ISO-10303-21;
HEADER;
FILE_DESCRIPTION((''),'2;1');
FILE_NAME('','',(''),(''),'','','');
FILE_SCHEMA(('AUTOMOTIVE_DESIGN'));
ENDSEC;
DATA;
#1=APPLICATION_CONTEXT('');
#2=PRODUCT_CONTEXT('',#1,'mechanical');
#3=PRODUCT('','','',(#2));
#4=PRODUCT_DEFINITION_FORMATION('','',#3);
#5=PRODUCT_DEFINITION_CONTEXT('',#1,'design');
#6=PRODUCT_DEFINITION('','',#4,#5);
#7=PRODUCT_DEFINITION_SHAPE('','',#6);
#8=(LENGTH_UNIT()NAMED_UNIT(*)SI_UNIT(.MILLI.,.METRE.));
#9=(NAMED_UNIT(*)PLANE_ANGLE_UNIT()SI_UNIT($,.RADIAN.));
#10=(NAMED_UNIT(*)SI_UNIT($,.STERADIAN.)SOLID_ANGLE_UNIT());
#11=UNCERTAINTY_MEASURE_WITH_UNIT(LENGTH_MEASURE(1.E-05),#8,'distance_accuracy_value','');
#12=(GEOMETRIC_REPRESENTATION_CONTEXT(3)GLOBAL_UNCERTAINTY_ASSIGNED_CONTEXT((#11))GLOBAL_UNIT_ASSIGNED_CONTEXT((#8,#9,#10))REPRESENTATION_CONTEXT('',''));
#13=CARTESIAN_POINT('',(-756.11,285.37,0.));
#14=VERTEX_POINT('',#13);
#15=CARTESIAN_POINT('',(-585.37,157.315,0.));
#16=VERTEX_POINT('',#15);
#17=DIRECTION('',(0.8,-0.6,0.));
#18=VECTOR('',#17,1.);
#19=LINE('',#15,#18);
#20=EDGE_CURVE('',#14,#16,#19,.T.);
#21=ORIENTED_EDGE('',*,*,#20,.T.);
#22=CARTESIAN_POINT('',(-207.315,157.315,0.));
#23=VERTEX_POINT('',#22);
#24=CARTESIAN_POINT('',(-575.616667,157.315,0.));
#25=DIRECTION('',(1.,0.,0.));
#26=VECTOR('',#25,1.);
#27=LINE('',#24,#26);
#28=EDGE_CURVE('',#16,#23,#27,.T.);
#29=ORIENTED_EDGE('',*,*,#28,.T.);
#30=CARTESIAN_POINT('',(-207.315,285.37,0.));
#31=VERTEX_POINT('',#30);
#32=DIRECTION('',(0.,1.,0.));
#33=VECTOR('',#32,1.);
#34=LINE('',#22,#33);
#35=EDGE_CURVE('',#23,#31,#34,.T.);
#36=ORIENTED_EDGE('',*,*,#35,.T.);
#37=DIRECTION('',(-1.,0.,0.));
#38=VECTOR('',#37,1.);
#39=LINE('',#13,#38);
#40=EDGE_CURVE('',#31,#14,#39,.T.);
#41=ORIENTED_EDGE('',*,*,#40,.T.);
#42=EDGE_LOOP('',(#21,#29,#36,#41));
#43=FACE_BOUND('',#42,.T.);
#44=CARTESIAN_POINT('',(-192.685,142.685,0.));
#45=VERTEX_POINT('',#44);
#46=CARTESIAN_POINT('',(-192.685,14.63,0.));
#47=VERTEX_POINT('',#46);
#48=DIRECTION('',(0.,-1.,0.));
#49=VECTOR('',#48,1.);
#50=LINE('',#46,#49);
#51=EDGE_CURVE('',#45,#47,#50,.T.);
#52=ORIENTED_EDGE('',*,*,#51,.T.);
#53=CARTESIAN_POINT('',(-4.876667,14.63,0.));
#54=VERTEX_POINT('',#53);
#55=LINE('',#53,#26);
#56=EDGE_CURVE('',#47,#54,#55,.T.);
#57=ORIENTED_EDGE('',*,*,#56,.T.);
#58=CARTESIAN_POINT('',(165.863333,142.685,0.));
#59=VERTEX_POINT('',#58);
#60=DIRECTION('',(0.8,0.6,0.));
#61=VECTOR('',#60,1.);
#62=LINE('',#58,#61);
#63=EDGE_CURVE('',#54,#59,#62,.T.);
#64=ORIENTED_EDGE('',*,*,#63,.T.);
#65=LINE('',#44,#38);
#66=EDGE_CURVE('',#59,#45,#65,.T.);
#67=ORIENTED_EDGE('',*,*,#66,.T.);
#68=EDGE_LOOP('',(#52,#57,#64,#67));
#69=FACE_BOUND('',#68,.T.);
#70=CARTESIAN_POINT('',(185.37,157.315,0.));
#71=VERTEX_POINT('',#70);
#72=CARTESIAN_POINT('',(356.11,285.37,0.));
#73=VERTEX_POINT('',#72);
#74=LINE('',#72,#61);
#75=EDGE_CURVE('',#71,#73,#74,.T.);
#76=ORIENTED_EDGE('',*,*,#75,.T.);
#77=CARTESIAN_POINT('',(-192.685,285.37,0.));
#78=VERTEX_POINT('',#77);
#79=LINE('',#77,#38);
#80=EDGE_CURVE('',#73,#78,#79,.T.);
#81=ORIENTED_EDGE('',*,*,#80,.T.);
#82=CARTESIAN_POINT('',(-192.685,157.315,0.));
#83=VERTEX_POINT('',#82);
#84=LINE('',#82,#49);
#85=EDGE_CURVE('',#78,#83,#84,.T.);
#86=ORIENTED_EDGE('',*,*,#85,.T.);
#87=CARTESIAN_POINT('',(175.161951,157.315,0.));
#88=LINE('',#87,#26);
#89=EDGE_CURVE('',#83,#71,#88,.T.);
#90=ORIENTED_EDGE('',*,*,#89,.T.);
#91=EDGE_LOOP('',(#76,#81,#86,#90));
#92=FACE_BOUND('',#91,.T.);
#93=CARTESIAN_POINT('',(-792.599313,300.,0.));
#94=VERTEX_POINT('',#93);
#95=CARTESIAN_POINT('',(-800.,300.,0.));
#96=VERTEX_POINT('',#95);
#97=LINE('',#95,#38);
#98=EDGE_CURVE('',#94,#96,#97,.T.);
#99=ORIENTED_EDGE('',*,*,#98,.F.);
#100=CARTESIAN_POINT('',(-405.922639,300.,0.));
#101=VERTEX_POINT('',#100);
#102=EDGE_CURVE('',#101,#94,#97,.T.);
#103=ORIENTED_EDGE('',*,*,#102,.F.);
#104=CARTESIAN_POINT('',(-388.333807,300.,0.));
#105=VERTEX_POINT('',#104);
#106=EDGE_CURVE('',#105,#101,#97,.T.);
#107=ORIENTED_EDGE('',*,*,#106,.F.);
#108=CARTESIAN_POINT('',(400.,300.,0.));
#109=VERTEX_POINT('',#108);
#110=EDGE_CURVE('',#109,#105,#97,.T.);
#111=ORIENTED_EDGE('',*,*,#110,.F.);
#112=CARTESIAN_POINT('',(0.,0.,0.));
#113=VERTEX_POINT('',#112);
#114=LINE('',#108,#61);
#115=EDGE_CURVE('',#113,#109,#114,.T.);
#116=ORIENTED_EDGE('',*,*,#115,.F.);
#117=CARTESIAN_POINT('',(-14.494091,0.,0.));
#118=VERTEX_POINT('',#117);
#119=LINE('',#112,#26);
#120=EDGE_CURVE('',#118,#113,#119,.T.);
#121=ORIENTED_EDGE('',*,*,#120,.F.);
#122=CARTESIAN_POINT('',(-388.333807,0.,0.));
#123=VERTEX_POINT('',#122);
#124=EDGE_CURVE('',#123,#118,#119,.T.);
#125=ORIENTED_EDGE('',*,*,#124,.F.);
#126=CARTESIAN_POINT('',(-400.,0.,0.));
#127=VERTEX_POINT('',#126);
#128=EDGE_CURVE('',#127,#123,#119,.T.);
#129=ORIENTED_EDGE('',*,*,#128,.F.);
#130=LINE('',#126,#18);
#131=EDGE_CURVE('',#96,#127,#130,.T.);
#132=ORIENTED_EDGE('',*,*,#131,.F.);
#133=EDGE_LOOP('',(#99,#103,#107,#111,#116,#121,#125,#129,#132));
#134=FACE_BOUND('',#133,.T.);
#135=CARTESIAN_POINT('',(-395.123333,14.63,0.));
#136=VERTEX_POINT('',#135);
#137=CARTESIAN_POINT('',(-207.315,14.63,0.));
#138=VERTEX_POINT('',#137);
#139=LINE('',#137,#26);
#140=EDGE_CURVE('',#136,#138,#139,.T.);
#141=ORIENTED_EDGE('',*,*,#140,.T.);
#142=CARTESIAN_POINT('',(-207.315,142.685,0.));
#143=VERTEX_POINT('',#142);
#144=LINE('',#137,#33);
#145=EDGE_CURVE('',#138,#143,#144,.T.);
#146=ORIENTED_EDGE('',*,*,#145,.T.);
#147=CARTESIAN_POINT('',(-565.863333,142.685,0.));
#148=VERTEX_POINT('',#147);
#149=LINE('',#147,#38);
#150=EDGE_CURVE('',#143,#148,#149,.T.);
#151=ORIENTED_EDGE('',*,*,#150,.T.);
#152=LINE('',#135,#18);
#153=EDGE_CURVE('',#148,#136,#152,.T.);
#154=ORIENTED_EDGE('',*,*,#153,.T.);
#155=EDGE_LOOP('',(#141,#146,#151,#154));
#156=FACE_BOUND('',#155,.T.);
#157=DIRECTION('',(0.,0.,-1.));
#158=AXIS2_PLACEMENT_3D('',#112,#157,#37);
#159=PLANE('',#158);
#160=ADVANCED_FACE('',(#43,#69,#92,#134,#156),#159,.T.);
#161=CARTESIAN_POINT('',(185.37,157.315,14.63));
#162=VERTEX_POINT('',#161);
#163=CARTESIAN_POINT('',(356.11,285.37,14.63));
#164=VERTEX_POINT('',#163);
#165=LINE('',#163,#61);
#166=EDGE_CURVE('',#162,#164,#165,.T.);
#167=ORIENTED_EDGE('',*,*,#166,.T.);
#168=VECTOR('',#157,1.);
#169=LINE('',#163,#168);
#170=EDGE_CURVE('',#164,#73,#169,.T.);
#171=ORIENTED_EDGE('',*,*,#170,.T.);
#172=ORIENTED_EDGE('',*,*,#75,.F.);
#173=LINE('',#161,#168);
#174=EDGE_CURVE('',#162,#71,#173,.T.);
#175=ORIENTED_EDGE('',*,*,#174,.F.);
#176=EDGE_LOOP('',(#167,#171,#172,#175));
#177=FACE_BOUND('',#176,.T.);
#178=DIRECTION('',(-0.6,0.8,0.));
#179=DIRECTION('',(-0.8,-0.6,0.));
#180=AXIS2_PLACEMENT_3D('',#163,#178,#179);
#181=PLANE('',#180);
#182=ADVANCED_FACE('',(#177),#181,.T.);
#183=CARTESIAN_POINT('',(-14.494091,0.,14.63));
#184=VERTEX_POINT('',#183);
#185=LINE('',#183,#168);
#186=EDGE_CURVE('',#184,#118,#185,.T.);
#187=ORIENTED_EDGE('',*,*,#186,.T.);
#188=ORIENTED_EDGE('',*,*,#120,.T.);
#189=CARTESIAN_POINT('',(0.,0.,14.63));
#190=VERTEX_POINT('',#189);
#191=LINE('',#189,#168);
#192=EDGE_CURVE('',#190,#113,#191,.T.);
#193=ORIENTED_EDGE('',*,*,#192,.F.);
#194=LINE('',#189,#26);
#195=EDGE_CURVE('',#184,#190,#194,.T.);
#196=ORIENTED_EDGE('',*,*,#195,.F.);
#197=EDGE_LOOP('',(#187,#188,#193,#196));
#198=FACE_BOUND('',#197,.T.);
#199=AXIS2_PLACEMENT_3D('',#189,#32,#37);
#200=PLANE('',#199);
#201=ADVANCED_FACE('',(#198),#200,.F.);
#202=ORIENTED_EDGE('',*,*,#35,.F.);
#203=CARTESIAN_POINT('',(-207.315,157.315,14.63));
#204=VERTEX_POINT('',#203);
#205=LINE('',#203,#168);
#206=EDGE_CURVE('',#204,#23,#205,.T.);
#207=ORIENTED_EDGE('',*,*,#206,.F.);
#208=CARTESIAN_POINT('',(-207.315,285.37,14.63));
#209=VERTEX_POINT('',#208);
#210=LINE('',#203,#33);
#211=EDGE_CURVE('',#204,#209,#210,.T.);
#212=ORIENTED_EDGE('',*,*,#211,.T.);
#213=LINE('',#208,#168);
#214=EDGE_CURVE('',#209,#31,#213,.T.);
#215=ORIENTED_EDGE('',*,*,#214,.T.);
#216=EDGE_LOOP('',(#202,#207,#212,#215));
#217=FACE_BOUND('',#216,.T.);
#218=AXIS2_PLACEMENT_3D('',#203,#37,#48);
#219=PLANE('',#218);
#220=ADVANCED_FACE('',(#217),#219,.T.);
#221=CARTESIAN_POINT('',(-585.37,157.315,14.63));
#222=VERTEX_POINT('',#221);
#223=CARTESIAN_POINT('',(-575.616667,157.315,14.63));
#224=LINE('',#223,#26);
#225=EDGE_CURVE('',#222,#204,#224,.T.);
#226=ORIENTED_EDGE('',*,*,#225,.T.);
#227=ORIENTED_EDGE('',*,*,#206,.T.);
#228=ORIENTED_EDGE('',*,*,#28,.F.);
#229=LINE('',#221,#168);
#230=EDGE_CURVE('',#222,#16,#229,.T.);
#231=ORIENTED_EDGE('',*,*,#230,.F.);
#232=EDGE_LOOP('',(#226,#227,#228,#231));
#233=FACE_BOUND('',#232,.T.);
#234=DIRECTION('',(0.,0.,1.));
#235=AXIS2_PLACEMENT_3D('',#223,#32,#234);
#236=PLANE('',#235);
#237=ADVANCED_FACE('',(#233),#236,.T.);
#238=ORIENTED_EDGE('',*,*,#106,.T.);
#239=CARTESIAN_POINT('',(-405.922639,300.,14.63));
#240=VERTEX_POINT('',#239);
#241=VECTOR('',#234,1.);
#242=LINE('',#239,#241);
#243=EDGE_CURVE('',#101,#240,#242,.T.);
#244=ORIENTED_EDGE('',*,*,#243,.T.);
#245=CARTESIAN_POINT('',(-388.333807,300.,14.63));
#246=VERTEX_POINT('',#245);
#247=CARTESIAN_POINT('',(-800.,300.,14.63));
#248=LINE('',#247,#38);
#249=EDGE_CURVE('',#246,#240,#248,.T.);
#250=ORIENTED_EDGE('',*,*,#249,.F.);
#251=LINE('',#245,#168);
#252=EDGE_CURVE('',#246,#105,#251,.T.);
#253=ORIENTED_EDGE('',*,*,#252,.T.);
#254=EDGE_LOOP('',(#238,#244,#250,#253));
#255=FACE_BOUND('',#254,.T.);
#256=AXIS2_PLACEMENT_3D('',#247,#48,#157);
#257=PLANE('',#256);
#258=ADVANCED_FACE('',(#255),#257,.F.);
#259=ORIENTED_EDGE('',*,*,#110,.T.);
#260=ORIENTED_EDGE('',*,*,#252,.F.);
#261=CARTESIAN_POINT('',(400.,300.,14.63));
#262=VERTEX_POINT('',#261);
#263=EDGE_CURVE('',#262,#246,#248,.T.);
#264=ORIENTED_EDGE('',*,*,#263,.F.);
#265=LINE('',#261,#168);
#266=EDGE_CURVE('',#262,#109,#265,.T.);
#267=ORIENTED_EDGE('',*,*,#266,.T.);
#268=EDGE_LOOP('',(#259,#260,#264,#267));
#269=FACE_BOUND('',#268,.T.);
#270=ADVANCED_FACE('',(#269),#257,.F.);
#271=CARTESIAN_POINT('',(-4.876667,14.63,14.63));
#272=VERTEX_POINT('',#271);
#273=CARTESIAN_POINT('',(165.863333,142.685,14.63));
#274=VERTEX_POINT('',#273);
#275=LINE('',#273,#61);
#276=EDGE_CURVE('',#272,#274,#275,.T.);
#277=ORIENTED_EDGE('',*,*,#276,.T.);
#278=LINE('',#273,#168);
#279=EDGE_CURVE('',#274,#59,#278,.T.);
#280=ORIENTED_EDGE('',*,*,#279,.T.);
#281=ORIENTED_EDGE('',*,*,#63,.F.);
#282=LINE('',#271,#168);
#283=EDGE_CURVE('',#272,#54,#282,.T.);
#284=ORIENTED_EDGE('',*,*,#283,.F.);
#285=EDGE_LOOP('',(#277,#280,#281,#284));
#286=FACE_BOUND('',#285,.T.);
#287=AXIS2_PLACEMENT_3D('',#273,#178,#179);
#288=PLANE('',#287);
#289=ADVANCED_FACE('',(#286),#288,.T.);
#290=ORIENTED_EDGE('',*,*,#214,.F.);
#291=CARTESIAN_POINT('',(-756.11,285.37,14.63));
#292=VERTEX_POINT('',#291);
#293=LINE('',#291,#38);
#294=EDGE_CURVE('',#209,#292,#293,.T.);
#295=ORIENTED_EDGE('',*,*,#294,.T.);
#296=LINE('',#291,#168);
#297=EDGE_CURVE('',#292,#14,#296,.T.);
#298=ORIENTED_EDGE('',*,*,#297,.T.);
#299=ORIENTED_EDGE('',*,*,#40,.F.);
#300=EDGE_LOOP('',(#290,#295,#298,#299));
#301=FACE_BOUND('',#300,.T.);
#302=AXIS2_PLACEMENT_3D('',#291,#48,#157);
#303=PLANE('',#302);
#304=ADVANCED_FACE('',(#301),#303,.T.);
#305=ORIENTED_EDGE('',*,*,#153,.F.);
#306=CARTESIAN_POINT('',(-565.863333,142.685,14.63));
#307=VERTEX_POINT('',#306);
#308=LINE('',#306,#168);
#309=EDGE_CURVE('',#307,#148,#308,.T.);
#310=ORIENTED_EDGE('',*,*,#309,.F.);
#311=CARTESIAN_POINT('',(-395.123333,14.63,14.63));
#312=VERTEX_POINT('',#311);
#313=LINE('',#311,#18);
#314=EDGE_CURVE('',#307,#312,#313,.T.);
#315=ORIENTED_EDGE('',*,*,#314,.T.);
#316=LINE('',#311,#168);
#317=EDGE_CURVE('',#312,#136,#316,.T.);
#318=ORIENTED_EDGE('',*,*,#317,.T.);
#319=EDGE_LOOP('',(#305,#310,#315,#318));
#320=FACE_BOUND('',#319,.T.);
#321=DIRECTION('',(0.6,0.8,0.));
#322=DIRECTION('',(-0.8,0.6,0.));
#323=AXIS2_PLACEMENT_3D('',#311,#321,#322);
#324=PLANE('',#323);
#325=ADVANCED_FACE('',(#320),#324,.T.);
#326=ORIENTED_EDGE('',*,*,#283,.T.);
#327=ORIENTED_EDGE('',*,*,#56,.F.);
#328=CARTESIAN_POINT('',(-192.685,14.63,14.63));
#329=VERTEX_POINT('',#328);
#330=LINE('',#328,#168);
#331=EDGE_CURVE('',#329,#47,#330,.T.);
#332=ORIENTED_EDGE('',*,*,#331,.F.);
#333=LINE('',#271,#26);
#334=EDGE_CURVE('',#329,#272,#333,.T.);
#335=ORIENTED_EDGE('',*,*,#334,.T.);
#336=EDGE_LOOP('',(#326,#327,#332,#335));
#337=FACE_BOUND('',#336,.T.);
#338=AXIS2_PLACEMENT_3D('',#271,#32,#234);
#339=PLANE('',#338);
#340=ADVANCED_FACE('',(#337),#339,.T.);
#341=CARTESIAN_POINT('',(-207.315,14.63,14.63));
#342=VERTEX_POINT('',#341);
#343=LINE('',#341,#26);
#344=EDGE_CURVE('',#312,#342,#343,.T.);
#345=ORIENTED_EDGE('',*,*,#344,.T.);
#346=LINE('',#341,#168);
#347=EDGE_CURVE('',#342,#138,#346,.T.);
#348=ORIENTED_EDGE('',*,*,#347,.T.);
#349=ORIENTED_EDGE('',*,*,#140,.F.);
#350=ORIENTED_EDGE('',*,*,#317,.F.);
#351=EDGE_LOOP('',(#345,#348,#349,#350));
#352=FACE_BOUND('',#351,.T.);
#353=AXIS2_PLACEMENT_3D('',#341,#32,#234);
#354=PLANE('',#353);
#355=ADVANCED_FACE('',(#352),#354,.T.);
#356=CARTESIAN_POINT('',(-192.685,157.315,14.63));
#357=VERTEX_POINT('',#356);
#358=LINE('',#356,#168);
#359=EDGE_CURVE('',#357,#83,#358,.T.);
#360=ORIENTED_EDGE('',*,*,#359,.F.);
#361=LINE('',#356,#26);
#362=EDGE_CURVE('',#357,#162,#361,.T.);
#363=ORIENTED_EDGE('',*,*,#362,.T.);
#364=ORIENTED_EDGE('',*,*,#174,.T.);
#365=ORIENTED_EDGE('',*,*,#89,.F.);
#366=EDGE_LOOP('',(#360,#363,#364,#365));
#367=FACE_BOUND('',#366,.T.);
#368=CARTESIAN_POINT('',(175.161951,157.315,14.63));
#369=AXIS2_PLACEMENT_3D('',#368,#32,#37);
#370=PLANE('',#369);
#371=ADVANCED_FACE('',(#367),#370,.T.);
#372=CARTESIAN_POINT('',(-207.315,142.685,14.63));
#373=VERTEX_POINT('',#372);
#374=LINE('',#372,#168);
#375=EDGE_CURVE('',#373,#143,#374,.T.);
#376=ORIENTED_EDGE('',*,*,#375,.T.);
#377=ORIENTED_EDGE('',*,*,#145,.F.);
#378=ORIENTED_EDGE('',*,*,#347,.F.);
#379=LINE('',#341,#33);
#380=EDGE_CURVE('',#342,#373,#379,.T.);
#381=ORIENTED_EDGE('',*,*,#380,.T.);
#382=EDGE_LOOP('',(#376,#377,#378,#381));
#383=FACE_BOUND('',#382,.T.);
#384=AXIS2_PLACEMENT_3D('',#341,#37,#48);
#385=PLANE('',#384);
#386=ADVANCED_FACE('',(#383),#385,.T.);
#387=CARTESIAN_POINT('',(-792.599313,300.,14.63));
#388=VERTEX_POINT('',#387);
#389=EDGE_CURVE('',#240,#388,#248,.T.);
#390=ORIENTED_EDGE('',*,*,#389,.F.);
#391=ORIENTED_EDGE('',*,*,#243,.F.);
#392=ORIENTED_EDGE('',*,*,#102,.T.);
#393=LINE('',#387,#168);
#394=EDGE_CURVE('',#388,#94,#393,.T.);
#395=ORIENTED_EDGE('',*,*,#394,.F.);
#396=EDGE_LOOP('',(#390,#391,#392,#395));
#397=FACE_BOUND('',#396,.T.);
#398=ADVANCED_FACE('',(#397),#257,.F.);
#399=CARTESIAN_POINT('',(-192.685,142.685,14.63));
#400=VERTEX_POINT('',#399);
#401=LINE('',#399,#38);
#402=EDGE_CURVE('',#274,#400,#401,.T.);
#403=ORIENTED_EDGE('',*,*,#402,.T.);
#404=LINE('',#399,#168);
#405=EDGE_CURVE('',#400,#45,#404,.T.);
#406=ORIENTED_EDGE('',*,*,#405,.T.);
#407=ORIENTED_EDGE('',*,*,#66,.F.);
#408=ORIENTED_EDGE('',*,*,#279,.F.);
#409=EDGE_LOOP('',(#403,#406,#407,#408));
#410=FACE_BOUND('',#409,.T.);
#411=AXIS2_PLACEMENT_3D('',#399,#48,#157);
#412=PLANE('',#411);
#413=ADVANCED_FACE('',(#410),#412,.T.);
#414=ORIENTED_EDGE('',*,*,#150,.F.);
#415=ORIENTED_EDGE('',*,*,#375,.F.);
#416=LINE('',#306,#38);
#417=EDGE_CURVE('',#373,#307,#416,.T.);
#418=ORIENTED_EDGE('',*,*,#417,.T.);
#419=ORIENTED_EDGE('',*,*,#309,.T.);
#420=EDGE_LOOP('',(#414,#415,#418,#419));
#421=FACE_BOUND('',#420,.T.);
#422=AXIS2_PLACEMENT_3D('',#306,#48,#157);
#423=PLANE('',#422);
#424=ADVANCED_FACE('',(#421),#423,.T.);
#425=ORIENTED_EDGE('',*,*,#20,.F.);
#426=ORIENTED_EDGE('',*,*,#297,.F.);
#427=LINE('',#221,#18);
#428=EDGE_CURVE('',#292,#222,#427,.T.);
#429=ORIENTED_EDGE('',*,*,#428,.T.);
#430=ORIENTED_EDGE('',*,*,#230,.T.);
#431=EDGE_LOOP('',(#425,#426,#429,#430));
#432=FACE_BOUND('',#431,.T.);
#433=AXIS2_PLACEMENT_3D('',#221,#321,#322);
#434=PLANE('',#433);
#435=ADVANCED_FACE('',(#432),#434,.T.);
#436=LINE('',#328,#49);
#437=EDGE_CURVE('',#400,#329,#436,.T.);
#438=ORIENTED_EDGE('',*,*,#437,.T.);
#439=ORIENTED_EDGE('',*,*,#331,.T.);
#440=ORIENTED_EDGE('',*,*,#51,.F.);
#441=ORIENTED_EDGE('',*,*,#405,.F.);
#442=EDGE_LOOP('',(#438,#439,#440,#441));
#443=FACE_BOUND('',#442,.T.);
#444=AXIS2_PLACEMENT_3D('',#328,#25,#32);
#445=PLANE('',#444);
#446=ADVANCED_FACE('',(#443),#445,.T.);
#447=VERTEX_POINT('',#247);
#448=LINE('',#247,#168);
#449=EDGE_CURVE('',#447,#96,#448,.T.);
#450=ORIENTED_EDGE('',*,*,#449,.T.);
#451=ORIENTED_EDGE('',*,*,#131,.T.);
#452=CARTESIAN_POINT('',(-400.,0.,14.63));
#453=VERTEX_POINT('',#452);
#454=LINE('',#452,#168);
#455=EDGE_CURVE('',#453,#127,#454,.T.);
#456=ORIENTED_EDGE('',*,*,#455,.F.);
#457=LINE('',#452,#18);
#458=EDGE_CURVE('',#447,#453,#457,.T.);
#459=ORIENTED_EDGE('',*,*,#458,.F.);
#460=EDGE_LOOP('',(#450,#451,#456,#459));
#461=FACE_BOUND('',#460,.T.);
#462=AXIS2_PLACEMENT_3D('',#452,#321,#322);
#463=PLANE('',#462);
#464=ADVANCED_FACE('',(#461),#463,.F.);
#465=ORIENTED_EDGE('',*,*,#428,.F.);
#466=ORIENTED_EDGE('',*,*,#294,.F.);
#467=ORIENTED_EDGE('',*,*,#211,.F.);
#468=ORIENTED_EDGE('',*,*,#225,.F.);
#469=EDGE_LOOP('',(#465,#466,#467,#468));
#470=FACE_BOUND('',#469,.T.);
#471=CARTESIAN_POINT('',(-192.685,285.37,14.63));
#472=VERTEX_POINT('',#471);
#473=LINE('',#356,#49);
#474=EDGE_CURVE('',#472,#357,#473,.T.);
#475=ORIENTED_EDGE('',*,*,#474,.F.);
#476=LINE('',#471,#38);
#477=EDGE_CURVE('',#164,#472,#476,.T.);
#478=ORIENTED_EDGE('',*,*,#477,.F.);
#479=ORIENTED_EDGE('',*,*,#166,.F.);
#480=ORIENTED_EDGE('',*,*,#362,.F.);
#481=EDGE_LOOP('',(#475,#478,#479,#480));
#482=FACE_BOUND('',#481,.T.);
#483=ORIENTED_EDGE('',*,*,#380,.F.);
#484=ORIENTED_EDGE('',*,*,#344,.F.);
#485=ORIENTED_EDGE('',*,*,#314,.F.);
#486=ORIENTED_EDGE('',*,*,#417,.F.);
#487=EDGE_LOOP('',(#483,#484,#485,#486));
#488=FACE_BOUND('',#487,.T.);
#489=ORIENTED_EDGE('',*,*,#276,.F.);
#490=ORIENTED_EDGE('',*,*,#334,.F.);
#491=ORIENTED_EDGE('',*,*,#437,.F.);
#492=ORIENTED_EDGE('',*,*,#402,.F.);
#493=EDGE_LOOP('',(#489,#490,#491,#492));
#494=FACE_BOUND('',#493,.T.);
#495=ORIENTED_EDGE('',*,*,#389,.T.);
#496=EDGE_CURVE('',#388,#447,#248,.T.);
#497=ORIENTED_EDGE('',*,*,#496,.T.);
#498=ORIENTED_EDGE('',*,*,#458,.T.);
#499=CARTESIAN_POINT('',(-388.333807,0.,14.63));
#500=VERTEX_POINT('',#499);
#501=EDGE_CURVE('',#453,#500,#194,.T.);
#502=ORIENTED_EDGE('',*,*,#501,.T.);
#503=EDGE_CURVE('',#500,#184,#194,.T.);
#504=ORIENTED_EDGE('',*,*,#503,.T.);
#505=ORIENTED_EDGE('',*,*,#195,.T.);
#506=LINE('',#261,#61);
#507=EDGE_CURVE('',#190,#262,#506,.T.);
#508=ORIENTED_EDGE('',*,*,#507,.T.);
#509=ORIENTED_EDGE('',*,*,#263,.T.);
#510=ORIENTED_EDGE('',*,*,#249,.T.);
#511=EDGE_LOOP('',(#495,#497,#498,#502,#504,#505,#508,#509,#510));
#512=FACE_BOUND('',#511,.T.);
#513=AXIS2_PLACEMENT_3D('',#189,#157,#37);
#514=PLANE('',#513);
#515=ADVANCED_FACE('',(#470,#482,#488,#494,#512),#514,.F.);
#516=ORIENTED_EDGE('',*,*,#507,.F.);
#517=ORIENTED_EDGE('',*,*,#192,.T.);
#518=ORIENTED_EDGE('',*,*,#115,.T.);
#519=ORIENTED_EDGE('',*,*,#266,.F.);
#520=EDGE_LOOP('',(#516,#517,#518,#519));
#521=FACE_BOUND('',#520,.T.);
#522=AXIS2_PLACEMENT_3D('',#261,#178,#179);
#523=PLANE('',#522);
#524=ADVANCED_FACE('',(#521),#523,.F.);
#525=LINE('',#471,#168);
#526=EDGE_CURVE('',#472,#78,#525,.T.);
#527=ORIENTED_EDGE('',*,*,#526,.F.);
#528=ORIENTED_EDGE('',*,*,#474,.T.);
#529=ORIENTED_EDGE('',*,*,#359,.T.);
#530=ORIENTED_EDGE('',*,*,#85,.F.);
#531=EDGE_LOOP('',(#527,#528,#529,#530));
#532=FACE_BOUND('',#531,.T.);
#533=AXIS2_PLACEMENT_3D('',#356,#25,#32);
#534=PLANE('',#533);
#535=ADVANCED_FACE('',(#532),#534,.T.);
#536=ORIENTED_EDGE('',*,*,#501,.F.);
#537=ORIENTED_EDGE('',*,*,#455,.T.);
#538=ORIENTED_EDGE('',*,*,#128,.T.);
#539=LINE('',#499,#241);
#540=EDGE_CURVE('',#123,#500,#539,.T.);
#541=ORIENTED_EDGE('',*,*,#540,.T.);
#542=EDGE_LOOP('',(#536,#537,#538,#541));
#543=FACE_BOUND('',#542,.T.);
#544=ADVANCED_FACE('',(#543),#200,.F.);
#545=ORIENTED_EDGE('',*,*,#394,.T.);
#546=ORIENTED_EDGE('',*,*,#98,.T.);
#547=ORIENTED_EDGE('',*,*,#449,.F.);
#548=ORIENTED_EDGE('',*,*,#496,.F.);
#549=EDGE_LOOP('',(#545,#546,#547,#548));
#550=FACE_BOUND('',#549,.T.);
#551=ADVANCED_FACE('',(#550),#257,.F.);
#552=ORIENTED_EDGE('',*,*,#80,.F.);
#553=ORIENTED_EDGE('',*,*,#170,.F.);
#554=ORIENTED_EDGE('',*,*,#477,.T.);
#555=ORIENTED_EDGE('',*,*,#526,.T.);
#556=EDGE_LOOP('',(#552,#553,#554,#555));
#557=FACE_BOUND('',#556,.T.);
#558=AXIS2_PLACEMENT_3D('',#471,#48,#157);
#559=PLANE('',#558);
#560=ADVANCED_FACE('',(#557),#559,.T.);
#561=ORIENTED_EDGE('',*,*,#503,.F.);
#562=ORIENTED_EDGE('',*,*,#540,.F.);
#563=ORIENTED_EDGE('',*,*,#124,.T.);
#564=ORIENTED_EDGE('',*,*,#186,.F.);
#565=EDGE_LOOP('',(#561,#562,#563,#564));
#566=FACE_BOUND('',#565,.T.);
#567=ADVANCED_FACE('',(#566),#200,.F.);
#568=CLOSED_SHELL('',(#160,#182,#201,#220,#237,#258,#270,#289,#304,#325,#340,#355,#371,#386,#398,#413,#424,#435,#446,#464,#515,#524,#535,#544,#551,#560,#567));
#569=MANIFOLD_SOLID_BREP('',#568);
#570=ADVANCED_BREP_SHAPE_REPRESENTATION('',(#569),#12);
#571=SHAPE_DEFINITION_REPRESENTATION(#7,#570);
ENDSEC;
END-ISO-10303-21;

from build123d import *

# Parameters (mm, degrees)
BOSS_EXTRUDE2_DEPTH = 14.63


with BuildPart() as part:
    # Sketch1 → Boss-Extrude2 (new body)
    with BuildSketch(Plane.XY):
        Polygon((0, 0), (-400, 0), (-800, 300), (400, 300), align=None)
        Polygon((-585.37, 157.315), (-756.11, 285.37), (-207.315, 285.37), (-207.315, 157.315), (-575.616666667, 157.315), align=None, mode=Mode.SUBTRACT)
        Polygon((-565.863333333, 142.685), (-207.315, 142.685), (-207.315, 14.63), (-395.123333333, 14.63), align=None, mode=Mode.SUBTRACT)
        Polygon((356.11, 285.37), (185.37, 157.315), (175.161951027, 157.315), (-192.685, 157.315), (-192.685, 285.37), align=None, mode=Mode.SUBTRACT)
        Polygon((-4.876666667, 14.63), (-192.685, 14.63), (-192.685, 142.685), (165.863333333, 142.685), align=None, mode=Mode.SUBTRACT)
    extrude(amount=BOSS_EXTRUDE2_DEPTH)


solid = part.part
